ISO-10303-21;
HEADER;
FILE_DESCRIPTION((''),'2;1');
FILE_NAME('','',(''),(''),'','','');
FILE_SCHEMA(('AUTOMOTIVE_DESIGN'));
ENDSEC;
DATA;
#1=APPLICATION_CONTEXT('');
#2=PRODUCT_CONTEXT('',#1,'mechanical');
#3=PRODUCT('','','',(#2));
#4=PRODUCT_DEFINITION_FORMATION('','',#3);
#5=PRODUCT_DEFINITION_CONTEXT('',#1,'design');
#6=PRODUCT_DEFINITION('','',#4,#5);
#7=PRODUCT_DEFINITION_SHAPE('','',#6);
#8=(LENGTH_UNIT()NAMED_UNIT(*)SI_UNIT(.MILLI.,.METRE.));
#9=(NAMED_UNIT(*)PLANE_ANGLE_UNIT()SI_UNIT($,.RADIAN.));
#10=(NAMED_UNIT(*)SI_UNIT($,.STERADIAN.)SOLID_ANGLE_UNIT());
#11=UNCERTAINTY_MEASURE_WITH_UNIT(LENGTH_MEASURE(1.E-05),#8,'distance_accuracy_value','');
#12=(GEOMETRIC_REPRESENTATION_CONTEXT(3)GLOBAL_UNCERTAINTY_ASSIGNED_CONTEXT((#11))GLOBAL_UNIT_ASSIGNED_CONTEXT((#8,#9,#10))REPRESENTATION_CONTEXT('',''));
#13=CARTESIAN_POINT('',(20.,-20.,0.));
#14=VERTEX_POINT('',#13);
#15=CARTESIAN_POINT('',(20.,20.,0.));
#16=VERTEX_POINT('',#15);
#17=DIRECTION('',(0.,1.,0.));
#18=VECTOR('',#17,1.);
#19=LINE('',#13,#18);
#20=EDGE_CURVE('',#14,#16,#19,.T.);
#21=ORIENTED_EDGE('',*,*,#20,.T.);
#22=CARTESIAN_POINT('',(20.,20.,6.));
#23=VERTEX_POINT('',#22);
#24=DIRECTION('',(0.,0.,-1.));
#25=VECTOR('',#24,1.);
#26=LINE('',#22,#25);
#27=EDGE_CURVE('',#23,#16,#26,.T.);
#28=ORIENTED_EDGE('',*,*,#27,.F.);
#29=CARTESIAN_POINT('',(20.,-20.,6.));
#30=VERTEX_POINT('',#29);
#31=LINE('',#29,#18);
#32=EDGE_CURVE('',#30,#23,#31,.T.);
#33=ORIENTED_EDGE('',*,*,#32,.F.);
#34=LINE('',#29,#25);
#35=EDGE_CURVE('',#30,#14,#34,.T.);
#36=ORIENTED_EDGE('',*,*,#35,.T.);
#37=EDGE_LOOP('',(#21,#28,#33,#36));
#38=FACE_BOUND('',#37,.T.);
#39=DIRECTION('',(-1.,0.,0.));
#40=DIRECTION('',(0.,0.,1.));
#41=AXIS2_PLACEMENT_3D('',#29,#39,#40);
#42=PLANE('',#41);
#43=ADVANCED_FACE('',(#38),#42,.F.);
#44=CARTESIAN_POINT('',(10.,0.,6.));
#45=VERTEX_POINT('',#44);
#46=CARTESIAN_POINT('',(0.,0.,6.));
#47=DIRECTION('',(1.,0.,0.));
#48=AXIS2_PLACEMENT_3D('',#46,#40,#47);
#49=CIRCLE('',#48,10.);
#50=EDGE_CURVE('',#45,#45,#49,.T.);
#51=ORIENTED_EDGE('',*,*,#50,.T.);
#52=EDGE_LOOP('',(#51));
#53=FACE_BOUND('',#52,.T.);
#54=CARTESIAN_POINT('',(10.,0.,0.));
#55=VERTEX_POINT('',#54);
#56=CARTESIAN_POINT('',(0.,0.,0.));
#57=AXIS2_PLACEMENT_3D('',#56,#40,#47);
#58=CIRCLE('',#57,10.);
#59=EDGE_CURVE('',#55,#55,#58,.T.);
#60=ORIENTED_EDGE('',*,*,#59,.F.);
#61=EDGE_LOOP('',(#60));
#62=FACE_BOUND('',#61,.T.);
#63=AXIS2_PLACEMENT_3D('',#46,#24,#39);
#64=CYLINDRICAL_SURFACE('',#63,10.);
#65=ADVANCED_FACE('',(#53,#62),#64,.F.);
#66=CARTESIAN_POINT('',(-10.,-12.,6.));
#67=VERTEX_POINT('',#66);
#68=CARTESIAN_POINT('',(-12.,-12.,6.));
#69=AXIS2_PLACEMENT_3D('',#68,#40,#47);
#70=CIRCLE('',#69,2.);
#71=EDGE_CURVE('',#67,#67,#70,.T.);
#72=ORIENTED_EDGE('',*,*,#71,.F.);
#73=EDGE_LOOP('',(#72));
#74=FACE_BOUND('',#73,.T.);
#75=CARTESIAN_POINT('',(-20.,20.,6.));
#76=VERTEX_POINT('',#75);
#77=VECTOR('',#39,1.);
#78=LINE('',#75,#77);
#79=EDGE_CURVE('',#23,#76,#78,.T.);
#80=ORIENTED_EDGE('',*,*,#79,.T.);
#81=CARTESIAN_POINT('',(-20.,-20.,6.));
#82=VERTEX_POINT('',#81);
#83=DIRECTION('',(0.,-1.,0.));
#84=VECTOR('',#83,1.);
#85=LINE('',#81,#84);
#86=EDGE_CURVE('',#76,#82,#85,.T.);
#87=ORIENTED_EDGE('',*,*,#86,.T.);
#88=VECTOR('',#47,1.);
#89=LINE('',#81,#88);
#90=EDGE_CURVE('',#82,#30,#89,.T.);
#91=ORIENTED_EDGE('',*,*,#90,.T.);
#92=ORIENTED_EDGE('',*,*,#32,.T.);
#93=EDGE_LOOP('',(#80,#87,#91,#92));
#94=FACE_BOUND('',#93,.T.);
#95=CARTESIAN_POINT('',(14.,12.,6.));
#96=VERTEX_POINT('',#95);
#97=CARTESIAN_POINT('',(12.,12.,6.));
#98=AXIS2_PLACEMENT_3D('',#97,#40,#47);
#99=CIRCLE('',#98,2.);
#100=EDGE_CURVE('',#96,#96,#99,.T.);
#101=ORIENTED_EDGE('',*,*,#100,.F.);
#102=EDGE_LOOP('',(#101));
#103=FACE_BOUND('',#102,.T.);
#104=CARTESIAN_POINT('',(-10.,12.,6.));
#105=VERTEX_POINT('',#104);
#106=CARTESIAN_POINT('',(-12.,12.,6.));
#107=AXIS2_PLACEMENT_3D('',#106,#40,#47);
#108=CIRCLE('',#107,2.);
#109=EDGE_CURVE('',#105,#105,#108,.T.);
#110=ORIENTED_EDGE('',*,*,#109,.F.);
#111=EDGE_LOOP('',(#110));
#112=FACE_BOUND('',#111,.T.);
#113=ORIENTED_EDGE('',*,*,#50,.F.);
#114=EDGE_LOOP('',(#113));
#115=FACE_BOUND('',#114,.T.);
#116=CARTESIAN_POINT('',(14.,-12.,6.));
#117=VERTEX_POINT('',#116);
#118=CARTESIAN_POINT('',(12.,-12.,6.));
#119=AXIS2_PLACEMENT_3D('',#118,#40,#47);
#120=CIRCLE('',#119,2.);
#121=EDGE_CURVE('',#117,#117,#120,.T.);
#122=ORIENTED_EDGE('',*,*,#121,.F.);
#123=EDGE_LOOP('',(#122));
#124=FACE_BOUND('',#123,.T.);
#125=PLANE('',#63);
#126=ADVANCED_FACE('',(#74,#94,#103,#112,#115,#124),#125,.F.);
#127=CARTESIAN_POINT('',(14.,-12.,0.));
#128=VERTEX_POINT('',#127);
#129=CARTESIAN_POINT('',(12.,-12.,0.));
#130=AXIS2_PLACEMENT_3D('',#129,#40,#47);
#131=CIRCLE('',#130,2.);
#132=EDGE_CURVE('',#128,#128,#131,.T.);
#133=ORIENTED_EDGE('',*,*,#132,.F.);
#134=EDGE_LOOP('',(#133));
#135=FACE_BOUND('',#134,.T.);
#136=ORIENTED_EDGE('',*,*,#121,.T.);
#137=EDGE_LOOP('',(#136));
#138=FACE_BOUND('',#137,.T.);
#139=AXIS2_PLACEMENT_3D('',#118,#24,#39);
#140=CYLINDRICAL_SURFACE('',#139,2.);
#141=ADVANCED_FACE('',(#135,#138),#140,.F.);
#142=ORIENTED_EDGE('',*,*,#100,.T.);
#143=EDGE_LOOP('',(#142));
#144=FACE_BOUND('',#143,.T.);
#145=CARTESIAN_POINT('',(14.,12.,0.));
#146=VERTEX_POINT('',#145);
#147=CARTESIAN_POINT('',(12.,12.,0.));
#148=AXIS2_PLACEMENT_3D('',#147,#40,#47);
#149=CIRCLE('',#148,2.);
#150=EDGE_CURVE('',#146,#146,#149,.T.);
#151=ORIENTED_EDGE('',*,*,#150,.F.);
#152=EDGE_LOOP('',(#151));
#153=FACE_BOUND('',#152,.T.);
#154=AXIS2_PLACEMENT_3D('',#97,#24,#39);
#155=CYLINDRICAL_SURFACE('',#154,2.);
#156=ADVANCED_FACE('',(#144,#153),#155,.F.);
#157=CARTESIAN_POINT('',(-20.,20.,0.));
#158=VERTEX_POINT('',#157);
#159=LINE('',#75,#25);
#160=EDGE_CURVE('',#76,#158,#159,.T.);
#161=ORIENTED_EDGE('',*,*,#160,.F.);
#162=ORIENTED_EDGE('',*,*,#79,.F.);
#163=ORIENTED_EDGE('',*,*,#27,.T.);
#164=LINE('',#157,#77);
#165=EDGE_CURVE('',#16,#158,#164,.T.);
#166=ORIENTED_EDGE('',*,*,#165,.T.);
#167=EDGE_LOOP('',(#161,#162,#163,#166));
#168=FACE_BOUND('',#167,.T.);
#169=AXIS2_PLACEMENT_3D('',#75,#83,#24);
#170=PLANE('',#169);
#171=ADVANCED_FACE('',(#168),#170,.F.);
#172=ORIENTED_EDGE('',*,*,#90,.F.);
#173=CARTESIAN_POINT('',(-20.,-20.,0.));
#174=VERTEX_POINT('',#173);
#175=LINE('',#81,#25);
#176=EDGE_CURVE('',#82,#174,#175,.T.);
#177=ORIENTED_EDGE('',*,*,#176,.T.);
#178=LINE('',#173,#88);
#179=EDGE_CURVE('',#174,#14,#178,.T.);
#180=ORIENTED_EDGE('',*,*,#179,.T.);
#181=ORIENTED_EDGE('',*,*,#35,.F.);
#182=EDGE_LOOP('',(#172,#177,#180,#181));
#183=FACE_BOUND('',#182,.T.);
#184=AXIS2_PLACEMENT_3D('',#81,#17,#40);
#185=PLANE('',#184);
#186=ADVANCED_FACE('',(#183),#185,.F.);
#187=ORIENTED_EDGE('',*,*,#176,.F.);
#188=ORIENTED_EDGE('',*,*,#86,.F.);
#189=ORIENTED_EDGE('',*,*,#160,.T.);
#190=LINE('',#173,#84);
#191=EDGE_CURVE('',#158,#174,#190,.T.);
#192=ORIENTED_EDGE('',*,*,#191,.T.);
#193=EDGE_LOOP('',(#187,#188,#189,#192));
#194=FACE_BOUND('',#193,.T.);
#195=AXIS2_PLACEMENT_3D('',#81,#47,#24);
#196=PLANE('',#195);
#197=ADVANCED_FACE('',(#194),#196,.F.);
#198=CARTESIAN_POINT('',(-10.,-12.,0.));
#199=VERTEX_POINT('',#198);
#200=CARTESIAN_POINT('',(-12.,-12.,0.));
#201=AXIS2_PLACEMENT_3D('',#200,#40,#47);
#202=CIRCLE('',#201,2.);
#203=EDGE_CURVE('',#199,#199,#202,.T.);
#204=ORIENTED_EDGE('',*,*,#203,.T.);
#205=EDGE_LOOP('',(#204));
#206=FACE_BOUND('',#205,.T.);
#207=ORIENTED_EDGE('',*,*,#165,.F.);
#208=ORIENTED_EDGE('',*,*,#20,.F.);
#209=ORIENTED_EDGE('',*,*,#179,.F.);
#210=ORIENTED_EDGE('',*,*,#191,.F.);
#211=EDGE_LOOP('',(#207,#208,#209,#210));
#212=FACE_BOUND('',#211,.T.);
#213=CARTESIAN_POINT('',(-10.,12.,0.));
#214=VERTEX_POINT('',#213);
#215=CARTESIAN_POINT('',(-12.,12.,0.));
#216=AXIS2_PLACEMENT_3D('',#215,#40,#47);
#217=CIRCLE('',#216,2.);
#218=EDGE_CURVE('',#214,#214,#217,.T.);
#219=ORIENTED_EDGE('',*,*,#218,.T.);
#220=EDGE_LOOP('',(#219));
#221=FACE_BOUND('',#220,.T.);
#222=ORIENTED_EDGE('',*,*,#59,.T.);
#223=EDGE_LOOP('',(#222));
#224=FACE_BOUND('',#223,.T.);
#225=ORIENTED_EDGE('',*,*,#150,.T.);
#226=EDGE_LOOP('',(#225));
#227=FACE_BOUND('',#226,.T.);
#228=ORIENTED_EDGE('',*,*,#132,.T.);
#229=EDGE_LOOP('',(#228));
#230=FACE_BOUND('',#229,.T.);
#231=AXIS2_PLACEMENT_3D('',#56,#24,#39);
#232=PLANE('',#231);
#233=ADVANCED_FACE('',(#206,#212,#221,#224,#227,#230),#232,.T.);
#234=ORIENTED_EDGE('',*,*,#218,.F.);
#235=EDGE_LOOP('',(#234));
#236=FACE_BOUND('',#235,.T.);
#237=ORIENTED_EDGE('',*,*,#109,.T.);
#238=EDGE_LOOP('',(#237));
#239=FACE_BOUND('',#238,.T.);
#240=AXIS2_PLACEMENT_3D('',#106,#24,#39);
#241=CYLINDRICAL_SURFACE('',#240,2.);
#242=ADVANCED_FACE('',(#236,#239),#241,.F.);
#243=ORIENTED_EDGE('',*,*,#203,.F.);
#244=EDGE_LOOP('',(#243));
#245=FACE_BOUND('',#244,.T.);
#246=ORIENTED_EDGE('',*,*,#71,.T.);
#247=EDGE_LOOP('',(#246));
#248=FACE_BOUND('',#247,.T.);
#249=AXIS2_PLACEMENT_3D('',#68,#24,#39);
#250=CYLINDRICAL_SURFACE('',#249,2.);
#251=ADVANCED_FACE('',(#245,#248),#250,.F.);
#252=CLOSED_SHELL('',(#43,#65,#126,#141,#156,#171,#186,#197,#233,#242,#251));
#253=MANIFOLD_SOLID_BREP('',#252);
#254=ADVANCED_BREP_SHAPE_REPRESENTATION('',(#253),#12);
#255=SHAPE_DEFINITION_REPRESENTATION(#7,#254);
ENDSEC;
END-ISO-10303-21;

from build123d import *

# Parameters (mm, degrees)
SKETCH1_W           = 40
SKETCH1_H           = 40
SKETCH1_R           = 10
SKETCH1_R_2         = 2
BOSS_EXTRUDE1_DEPTH = 6


with BuildPart() as part:
    # Sketch1 → Boss-Extrude1 (new body)
    with BuildSketch(Plane.XY):
        Rectangle(SKETCH1_W, SKETCH1_H)
        Circle(SKETCH1_R, mode=Mode.SUBTRACT)
        with Locations((-12, 12)):
            Circle(SKETCH1_R_2, mode=Mode.SUBTRACT)
        with Locations((12, 12)):
            Circle(SKETCH1_R_2, mode=Mode.SUBTRACT)
        with Locations((12, -12)):
            Circle(SKETCH1_R_2, mode=Mode.SUBTRACT)
        with Locations((-12, -12)):
            Circle(SKETCH1_R_2, mode=Mode.SUBTRACT)
    extrude(amount=BOSS_EXTRUDE1_DEPTH)


solid = part.part
